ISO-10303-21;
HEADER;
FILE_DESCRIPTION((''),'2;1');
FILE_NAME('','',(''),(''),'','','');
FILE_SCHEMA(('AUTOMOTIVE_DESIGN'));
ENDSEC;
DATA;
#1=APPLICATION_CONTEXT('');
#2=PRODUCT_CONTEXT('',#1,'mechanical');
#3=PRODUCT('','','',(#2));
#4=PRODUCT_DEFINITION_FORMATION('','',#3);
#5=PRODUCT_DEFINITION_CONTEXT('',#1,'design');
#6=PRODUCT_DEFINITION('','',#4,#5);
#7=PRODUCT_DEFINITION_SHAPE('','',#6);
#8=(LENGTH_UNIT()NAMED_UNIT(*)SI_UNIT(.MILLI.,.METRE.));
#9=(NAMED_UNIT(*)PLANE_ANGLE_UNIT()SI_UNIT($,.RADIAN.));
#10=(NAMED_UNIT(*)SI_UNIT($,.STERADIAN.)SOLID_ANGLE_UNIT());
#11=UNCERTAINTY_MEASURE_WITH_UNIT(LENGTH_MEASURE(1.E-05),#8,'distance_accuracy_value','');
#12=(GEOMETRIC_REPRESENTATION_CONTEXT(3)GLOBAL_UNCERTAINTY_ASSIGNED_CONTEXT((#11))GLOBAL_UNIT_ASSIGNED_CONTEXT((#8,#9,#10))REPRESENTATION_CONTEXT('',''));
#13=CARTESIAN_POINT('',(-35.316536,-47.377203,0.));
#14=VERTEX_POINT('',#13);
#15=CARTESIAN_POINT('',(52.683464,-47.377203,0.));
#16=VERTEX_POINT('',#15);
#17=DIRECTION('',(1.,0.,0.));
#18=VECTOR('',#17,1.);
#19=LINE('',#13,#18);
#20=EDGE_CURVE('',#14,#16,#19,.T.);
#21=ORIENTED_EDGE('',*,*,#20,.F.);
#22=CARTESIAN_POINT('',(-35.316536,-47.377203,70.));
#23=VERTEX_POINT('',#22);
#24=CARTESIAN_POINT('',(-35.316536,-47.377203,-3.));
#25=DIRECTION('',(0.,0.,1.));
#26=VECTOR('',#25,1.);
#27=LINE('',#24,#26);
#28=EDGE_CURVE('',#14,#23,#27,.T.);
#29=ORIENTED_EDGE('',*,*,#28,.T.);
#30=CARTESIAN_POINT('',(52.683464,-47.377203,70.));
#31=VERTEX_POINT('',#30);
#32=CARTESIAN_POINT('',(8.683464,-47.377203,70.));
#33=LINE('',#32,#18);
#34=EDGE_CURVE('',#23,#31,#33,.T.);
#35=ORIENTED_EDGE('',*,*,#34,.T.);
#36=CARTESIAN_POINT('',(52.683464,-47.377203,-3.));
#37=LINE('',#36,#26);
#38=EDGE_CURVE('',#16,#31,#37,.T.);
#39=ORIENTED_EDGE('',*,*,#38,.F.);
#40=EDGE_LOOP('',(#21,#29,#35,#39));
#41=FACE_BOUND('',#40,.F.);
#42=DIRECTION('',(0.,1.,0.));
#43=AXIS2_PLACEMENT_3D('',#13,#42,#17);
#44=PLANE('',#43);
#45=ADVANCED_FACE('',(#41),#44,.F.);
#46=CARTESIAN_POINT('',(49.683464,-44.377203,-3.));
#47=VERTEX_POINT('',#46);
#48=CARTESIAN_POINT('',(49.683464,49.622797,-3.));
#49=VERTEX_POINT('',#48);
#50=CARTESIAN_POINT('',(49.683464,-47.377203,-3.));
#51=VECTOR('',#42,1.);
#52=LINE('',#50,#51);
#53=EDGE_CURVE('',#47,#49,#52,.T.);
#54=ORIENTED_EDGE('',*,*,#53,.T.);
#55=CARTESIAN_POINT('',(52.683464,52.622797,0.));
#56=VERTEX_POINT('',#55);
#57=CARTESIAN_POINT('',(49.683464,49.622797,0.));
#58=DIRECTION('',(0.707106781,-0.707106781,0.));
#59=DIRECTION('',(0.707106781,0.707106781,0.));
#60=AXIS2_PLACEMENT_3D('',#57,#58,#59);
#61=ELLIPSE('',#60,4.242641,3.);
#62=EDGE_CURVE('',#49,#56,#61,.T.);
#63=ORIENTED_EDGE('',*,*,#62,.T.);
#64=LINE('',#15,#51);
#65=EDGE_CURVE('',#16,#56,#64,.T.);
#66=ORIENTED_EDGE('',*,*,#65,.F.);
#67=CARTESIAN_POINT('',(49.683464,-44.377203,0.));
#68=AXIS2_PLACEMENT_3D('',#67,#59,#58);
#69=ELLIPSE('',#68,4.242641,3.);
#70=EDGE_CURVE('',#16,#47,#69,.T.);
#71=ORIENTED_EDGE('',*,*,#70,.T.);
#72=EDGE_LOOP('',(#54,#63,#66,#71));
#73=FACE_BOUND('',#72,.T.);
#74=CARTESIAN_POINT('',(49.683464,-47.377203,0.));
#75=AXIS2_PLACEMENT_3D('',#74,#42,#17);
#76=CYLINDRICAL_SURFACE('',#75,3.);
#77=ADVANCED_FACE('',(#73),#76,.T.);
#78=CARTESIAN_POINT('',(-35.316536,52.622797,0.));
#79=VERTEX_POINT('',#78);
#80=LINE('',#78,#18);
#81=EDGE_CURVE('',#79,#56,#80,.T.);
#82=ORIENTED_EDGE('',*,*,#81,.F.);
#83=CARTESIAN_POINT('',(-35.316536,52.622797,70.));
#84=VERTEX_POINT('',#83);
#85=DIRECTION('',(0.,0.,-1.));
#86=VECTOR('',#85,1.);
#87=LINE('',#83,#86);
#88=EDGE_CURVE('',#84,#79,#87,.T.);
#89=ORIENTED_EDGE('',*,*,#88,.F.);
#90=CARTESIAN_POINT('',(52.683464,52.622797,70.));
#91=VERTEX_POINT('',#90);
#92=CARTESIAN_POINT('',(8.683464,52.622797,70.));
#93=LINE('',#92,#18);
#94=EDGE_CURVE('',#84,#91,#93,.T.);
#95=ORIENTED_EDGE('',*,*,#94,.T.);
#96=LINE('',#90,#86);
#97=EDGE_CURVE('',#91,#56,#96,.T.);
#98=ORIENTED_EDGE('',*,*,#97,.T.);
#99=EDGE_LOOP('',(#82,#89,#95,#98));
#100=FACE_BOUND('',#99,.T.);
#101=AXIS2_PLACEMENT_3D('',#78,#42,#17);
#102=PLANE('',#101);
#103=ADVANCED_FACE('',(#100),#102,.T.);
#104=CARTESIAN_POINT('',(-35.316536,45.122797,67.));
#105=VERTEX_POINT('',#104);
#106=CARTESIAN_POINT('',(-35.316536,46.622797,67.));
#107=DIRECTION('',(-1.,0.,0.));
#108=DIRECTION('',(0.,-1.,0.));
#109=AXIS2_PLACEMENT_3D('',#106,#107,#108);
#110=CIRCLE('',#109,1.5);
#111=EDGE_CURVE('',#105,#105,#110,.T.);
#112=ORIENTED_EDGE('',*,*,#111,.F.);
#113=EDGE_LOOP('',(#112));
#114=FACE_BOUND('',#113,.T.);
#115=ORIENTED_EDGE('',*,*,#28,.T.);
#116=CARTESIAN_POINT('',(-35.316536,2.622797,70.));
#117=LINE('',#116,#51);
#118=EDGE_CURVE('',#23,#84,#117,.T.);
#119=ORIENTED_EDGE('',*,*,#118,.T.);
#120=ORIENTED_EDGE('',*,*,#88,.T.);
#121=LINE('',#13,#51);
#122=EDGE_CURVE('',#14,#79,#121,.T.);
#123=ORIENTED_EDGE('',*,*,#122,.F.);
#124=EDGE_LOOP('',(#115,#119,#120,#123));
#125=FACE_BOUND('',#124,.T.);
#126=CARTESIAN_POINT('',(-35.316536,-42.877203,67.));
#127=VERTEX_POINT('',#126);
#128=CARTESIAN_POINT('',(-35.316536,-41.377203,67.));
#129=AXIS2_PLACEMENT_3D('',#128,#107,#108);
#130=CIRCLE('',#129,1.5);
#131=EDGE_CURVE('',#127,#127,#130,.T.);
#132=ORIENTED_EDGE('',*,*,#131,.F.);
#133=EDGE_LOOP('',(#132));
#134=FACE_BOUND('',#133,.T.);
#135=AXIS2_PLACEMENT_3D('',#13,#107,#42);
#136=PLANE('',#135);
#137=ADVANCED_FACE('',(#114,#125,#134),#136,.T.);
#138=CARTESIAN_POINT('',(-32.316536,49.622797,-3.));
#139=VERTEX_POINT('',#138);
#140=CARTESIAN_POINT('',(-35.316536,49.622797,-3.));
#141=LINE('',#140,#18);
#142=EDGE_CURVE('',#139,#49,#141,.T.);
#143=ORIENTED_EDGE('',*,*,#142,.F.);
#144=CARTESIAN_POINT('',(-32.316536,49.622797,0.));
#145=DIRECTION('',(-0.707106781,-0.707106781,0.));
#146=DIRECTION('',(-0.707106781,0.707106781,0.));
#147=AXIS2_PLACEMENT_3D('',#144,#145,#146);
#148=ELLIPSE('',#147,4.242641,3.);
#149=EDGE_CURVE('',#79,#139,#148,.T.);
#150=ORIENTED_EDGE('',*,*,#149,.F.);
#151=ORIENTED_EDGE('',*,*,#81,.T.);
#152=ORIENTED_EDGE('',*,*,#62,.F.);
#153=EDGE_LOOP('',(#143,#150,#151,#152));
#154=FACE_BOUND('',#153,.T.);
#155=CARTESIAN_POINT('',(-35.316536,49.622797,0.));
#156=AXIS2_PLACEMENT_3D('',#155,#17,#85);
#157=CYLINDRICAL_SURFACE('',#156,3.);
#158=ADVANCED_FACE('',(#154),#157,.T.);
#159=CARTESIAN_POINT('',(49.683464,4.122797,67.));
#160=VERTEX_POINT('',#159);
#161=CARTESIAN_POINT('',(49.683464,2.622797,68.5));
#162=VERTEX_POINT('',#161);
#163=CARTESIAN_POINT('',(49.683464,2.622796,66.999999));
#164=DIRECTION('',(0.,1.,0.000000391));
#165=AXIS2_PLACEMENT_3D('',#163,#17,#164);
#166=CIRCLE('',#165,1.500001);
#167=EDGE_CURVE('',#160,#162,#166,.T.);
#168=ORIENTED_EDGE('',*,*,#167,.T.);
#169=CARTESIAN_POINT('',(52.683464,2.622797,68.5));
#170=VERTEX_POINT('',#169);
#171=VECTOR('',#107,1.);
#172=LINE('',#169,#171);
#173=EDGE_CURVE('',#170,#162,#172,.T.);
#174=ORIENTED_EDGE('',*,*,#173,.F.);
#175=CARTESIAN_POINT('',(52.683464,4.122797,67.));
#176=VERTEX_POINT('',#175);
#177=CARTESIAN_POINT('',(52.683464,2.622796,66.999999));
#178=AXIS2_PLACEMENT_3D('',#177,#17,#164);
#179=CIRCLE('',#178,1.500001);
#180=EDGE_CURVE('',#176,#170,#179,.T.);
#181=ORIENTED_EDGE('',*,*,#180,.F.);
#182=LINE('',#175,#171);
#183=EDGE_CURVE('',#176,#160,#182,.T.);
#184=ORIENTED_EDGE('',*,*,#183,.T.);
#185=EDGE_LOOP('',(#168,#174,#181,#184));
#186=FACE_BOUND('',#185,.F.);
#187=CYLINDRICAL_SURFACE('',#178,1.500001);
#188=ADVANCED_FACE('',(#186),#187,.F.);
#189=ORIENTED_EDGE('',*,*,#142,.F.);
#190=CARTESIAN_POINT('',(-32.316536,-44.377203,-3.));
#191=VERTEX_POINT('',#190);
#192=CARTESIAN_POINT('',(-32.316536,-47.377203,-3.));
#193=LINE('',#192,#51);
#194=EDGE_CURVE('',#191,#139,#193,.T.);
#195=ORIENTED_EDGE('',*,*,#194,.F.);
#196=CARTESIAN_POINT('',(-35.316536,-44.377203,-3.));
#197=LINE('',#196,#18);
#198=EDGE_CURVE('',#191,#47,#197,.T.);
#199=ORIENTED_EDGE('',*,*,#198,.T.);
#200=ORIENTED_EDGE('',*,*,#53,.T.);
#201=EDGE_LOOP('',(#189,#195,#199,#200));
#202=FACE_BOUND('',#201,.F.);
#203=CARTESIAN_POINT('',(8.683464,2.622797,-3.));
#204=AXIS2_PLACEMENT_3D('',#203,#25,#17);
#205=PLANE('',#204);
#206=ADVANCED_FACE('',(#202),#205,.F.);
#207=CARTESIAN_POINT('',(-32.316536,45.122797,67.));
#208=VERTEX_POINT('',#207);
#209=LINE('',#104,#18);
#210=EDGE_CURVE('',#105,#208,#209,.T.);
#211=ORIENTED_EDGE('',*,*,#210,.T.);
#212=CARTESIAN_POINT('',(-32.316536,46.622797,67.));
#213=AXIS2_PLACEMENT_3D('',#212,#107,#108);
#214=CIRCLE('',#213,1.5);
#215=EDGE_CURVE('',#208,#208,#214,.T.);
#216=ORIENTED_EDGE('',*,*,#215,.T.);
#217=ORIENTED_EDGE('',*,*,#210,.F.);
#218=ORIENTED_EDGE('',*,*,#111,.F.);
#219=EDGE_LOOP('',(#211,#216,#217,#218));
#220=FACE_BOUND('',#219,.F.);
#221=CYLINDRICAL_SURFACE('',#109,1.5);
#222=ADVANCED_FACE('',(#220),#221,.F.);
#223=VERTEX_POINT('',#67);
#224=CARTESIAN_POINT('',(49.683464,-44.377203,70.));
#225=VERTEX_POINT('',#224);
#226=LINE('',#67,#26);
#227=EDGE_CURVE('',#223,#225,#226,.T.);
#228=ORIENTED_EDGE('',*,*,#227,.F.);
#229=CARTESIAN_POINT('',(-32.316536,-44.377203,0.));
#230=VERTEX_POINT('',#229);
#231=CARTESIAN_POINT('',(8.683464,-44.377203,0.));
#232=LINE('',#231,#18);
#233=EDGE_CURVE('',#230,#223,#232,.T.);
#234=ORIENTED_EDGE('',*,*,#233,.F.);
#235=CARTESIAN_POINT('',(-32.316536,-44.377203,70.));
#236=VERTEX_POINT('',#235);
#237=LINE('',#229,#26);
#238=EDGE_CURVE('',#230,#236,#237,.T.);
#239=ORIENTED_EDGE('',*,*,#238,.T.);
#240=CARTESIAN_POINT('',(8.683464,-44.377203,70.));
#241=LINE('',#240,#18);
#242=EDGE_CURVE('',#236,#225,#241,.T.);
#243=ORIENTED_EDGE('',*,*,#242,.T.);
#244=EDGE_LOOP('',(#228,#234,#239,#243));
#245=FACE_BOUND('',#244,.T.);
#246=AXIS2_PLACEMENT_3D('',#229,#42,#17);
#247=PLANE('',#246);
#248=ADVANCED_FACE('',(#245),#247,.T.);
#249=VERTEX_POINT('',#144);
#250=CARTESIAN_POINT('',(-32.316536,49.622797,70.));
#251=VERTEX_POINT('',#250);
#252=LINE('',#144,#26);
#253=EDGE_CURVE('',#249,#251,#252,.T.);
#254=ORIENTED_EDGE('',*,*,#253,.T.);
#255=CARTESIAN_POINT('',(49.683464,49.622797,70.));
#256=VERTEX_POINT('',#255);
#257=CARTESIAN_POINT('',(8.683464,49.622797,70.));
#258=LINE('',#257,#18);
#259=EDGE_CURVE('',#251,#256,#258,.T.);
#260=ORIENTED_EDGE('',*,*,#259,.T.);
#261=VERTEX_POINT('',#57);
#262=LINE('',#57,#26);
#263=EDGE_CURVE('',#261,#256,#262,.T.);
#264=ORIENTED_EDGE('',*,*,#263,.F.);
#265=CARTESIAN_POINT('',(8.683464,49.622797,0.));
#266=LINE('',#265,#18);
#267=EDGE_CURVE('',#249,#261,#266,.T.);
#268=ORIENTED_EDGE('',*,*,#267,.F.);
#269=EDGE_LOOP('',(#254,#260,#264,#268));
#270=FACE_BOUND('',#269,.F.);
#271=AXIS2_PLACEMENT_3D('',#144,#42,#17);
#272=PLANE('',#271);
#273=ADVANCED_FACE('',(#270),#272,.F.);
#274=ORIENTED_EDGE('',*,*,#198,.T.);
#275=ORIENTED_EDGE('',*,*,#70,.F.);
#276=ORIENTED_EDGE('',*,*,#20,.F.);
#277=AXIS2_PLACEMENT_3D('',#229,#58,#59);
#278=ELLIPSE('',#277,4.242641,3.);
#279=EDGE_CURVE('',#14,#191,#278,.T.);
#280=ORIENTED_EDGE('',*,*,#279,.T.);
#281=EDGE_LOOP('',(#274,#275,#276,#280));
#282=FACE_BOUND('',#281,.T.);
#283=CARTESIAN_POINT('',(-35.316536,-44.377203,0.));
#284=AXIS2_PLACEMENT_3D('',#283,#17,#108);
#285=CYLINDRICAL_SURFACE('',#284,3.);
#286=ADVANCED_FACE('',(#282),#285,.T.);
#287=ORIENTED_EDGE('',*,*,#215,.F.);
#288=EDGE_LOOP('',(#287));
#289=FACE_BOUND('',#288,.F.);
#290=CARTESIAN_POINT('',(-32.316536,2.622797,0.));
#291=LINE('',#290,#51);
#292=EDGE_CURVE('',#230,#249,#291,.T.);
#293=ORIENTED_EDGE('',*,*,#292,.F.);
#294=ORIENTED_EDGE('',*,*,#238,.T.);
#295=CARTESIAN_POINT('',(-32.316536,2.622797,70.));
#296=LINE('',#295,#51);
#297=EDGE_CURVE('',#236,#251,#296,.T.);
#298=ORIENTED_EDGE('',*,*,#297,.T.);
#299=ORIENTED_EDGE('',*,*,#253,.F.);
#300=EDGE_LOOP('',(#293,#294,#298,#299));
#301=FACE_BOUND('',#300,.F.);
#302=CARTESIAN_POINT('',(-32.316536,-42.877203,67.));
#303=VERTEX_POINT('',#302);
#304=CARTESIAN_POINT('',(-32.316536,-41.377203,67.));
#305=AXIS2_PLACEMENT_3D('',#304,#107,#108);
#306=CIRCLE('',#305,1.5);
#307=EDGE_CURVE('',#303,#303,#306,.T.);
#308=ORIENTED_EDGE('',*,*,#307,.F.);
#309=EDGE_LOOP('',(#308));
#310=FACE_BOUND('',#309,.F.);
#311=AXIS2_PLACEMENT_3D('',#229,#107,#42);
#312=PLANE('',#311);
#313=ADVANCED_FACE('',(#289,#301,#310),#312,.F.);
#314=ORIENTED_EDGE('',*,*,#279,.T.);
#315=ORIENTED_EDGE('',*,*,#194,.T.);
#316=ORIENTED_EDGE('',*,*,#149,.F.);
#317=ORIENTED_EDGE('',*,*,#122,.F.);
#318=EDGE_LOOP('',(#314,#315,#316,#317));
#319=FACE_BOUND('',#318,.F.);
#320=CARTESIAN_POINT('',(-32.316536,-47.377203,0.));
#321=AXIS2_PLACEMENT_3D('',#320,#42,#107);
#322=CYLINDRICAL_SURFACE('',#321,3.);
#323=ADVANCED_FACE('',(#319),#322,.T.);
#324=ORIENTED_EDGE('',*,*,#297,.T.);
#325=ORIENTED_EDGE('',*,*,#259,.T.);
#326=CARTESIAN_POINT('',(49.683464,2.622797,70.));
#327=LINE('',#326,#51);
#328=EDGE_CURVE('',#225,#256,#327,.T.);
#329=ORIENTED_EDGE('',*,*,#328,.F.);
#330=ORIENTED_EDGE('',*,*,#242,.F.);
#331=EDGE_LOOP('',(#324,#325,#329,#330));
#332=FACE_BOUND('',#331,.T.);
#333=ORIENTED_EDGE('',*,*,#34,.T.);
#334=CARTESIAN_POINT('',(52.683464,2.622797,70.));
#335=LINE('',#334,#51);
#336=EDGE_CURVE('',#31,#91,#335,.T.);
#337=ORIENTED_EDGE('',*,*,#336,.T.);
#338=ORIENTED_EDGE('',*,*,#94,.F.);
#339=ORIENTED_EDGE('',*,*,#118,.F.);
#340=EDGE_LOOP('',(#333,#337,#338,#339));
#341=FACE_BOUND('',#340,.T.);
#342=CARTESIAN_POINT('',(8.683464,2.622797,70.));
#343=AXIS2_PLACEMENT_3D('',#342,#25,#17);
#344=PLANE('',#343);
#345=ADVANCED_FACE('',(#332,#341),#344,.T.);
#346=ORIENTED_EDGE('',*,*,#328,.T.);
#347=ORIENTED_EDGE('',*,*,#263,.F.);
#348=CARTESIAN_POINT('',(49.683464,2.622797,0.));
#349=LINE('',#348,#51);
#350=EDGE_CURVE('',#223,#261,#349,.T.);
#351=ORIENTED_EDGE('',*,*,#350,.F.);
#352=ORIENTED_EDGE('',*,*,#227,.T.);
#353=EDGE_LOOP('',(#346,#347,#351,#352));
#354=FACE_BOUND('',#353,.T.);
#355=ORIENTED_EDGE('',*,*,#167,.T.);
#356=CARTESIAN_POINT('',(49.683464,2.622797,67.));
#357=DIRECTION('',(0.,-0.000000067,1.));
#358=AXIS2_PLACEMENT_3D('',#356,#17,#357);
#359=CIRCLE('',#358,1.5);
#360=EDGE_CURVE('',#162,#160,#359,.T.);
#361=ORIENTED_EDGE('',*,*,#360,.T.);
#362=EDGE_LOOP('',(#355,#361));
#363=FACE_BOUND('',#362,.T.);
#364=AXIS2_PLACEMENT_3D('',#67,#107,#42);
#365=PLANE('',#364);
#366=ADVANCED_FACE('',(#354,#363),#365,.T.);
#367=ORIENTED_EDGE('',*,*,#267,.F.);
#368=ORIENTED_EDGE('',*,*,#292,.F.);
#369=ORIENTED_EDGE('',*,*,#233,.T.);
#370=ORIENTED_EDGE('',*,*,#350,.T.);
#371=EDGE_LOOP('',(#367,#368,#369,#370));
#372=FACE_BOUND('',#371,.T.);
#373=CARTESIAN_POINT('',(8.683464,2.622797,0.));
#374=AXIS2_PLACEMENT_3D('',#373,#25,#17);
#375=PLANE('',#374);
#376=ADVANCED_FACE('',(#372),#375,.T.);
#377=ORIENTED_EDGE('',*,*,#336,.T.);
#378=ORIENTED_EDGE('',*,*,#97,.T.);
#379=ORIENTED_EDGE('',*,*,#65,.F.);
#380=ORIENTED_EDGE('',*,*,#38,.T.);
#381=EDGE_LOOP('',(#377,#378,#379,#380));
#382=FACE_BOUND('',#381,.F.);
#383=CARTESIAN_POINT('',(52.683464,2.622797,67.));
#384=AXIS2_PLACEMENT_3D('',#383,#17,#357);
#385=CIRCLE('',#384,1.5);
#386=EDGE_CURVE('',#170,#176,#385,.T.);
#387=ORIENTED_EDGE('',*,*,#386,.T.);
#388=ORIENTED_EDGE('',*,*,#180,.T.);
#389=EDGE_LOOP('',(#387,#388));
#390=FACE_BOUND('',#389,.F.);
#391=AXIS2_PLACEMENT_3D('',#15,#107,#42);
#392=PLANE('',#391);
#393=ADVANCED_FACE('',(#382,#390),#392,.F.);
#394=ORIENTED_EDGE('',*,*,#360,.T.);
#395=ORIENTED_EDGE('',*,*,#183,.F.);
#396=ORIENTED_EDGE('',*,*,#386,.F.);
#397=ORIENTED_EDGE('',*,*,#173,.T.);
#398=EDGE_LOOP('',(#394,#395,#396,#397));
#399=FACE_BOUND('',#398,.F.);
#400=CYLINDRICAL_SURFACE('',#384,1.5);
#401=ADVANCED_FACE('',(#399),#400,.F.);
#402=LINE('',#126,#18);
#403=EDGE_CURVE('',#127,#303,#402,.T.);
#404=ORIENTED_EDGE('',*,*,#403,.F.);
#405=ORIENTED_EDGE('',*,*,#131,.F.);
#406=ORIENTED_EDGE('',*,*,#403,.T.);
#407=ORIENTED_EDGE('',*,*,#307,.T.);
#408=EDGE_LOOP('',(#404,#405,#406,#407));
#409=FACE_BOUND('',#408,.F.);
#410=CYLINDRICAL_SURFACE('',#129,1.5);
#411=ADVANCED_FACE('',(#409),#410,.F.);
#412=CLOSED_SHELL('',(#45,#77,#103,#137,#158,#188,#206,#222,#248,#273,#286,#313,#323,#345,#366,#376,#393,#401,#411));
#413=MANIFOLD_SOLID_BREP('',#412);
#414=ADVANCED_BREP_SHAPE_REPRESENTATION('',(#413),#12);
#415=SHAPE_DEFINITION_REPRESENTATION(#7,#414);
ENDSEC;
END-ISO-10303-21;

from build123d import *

# Parameters (mm, degrees)
F0_W     = 88
F0_H     = 100
F2_DEPTH = 3
F1_W     = 88
F1_H     = 100
F1_W_2   = 82
F1_H_2   = 94
F3_DEPTH = 70
F4_R     = 3
F5_R     = 1.5
F6_DEPTH = 25
F8_DEPTH = 25


with BuildPart() as f2:
    # F0 (on Top) → F2 (new body)
    with BuildSketch(Plane.XY):
        with Locations((8.683464, 2.622797)):
            Rectangle(F0_W, F0_H)
    extrude(amount=-F2_DEPTH)

    # F1 (on face) → F3 (join)
    with BuildSketch(Plane.XY):
        with Locations((8.683464, 2.622797)):
            Rectangle(F1_W, F1_H)
        with Locations((8.683464, 2.622797)):
            Rectangle(F1_W_2, F1_H_2, mode=Mode.SUBTRACT)
    extrude(amount=F3_DEPTH)

    # F4
    f4_edges = [f2.edges().sort_by_distance(p)[0] for p in [
        (-35.316536, 2.622797, -3),
        (8.683464, 52.622797, -3),
        (8.683464, -47.377203, -3),
        (52.683464, 2.622797, -3),
    ]]
    fillet(f4_edges, radius=F4_R)

    # F5 (on face) → F6 (cut)
    with BuildSketch(Plane(origin=(-35.316536, 0, 0), x_dir=(0, -1, 0), z_dir=(-1, 0, 0))):
        with Locations((-46.622797, 67)):
            Circle(F5_R)
        with Locations((41.377203, 67)):
            Circle(F5_R)
    extrude(amount=-F6_DEPTH, mode=Mode.SUBTRACT)

    # F7 (on face) → F8 (cut)
    with BuildSketch(Plane.YZ.offset(52.683464)):
        with BuildLine():
            ThreePointArc((2.622797, 68.5), (1.562137, 65.93934), (4.122797, 67))
            ThreePointArc((4.122797, 67), (3.683457, 68.06066), (2.622797, 68.5))
        make_face()
    extrude(amount=-F8_DEPTH, mode=Mode.SUBTRACT)


solid = f2.part
